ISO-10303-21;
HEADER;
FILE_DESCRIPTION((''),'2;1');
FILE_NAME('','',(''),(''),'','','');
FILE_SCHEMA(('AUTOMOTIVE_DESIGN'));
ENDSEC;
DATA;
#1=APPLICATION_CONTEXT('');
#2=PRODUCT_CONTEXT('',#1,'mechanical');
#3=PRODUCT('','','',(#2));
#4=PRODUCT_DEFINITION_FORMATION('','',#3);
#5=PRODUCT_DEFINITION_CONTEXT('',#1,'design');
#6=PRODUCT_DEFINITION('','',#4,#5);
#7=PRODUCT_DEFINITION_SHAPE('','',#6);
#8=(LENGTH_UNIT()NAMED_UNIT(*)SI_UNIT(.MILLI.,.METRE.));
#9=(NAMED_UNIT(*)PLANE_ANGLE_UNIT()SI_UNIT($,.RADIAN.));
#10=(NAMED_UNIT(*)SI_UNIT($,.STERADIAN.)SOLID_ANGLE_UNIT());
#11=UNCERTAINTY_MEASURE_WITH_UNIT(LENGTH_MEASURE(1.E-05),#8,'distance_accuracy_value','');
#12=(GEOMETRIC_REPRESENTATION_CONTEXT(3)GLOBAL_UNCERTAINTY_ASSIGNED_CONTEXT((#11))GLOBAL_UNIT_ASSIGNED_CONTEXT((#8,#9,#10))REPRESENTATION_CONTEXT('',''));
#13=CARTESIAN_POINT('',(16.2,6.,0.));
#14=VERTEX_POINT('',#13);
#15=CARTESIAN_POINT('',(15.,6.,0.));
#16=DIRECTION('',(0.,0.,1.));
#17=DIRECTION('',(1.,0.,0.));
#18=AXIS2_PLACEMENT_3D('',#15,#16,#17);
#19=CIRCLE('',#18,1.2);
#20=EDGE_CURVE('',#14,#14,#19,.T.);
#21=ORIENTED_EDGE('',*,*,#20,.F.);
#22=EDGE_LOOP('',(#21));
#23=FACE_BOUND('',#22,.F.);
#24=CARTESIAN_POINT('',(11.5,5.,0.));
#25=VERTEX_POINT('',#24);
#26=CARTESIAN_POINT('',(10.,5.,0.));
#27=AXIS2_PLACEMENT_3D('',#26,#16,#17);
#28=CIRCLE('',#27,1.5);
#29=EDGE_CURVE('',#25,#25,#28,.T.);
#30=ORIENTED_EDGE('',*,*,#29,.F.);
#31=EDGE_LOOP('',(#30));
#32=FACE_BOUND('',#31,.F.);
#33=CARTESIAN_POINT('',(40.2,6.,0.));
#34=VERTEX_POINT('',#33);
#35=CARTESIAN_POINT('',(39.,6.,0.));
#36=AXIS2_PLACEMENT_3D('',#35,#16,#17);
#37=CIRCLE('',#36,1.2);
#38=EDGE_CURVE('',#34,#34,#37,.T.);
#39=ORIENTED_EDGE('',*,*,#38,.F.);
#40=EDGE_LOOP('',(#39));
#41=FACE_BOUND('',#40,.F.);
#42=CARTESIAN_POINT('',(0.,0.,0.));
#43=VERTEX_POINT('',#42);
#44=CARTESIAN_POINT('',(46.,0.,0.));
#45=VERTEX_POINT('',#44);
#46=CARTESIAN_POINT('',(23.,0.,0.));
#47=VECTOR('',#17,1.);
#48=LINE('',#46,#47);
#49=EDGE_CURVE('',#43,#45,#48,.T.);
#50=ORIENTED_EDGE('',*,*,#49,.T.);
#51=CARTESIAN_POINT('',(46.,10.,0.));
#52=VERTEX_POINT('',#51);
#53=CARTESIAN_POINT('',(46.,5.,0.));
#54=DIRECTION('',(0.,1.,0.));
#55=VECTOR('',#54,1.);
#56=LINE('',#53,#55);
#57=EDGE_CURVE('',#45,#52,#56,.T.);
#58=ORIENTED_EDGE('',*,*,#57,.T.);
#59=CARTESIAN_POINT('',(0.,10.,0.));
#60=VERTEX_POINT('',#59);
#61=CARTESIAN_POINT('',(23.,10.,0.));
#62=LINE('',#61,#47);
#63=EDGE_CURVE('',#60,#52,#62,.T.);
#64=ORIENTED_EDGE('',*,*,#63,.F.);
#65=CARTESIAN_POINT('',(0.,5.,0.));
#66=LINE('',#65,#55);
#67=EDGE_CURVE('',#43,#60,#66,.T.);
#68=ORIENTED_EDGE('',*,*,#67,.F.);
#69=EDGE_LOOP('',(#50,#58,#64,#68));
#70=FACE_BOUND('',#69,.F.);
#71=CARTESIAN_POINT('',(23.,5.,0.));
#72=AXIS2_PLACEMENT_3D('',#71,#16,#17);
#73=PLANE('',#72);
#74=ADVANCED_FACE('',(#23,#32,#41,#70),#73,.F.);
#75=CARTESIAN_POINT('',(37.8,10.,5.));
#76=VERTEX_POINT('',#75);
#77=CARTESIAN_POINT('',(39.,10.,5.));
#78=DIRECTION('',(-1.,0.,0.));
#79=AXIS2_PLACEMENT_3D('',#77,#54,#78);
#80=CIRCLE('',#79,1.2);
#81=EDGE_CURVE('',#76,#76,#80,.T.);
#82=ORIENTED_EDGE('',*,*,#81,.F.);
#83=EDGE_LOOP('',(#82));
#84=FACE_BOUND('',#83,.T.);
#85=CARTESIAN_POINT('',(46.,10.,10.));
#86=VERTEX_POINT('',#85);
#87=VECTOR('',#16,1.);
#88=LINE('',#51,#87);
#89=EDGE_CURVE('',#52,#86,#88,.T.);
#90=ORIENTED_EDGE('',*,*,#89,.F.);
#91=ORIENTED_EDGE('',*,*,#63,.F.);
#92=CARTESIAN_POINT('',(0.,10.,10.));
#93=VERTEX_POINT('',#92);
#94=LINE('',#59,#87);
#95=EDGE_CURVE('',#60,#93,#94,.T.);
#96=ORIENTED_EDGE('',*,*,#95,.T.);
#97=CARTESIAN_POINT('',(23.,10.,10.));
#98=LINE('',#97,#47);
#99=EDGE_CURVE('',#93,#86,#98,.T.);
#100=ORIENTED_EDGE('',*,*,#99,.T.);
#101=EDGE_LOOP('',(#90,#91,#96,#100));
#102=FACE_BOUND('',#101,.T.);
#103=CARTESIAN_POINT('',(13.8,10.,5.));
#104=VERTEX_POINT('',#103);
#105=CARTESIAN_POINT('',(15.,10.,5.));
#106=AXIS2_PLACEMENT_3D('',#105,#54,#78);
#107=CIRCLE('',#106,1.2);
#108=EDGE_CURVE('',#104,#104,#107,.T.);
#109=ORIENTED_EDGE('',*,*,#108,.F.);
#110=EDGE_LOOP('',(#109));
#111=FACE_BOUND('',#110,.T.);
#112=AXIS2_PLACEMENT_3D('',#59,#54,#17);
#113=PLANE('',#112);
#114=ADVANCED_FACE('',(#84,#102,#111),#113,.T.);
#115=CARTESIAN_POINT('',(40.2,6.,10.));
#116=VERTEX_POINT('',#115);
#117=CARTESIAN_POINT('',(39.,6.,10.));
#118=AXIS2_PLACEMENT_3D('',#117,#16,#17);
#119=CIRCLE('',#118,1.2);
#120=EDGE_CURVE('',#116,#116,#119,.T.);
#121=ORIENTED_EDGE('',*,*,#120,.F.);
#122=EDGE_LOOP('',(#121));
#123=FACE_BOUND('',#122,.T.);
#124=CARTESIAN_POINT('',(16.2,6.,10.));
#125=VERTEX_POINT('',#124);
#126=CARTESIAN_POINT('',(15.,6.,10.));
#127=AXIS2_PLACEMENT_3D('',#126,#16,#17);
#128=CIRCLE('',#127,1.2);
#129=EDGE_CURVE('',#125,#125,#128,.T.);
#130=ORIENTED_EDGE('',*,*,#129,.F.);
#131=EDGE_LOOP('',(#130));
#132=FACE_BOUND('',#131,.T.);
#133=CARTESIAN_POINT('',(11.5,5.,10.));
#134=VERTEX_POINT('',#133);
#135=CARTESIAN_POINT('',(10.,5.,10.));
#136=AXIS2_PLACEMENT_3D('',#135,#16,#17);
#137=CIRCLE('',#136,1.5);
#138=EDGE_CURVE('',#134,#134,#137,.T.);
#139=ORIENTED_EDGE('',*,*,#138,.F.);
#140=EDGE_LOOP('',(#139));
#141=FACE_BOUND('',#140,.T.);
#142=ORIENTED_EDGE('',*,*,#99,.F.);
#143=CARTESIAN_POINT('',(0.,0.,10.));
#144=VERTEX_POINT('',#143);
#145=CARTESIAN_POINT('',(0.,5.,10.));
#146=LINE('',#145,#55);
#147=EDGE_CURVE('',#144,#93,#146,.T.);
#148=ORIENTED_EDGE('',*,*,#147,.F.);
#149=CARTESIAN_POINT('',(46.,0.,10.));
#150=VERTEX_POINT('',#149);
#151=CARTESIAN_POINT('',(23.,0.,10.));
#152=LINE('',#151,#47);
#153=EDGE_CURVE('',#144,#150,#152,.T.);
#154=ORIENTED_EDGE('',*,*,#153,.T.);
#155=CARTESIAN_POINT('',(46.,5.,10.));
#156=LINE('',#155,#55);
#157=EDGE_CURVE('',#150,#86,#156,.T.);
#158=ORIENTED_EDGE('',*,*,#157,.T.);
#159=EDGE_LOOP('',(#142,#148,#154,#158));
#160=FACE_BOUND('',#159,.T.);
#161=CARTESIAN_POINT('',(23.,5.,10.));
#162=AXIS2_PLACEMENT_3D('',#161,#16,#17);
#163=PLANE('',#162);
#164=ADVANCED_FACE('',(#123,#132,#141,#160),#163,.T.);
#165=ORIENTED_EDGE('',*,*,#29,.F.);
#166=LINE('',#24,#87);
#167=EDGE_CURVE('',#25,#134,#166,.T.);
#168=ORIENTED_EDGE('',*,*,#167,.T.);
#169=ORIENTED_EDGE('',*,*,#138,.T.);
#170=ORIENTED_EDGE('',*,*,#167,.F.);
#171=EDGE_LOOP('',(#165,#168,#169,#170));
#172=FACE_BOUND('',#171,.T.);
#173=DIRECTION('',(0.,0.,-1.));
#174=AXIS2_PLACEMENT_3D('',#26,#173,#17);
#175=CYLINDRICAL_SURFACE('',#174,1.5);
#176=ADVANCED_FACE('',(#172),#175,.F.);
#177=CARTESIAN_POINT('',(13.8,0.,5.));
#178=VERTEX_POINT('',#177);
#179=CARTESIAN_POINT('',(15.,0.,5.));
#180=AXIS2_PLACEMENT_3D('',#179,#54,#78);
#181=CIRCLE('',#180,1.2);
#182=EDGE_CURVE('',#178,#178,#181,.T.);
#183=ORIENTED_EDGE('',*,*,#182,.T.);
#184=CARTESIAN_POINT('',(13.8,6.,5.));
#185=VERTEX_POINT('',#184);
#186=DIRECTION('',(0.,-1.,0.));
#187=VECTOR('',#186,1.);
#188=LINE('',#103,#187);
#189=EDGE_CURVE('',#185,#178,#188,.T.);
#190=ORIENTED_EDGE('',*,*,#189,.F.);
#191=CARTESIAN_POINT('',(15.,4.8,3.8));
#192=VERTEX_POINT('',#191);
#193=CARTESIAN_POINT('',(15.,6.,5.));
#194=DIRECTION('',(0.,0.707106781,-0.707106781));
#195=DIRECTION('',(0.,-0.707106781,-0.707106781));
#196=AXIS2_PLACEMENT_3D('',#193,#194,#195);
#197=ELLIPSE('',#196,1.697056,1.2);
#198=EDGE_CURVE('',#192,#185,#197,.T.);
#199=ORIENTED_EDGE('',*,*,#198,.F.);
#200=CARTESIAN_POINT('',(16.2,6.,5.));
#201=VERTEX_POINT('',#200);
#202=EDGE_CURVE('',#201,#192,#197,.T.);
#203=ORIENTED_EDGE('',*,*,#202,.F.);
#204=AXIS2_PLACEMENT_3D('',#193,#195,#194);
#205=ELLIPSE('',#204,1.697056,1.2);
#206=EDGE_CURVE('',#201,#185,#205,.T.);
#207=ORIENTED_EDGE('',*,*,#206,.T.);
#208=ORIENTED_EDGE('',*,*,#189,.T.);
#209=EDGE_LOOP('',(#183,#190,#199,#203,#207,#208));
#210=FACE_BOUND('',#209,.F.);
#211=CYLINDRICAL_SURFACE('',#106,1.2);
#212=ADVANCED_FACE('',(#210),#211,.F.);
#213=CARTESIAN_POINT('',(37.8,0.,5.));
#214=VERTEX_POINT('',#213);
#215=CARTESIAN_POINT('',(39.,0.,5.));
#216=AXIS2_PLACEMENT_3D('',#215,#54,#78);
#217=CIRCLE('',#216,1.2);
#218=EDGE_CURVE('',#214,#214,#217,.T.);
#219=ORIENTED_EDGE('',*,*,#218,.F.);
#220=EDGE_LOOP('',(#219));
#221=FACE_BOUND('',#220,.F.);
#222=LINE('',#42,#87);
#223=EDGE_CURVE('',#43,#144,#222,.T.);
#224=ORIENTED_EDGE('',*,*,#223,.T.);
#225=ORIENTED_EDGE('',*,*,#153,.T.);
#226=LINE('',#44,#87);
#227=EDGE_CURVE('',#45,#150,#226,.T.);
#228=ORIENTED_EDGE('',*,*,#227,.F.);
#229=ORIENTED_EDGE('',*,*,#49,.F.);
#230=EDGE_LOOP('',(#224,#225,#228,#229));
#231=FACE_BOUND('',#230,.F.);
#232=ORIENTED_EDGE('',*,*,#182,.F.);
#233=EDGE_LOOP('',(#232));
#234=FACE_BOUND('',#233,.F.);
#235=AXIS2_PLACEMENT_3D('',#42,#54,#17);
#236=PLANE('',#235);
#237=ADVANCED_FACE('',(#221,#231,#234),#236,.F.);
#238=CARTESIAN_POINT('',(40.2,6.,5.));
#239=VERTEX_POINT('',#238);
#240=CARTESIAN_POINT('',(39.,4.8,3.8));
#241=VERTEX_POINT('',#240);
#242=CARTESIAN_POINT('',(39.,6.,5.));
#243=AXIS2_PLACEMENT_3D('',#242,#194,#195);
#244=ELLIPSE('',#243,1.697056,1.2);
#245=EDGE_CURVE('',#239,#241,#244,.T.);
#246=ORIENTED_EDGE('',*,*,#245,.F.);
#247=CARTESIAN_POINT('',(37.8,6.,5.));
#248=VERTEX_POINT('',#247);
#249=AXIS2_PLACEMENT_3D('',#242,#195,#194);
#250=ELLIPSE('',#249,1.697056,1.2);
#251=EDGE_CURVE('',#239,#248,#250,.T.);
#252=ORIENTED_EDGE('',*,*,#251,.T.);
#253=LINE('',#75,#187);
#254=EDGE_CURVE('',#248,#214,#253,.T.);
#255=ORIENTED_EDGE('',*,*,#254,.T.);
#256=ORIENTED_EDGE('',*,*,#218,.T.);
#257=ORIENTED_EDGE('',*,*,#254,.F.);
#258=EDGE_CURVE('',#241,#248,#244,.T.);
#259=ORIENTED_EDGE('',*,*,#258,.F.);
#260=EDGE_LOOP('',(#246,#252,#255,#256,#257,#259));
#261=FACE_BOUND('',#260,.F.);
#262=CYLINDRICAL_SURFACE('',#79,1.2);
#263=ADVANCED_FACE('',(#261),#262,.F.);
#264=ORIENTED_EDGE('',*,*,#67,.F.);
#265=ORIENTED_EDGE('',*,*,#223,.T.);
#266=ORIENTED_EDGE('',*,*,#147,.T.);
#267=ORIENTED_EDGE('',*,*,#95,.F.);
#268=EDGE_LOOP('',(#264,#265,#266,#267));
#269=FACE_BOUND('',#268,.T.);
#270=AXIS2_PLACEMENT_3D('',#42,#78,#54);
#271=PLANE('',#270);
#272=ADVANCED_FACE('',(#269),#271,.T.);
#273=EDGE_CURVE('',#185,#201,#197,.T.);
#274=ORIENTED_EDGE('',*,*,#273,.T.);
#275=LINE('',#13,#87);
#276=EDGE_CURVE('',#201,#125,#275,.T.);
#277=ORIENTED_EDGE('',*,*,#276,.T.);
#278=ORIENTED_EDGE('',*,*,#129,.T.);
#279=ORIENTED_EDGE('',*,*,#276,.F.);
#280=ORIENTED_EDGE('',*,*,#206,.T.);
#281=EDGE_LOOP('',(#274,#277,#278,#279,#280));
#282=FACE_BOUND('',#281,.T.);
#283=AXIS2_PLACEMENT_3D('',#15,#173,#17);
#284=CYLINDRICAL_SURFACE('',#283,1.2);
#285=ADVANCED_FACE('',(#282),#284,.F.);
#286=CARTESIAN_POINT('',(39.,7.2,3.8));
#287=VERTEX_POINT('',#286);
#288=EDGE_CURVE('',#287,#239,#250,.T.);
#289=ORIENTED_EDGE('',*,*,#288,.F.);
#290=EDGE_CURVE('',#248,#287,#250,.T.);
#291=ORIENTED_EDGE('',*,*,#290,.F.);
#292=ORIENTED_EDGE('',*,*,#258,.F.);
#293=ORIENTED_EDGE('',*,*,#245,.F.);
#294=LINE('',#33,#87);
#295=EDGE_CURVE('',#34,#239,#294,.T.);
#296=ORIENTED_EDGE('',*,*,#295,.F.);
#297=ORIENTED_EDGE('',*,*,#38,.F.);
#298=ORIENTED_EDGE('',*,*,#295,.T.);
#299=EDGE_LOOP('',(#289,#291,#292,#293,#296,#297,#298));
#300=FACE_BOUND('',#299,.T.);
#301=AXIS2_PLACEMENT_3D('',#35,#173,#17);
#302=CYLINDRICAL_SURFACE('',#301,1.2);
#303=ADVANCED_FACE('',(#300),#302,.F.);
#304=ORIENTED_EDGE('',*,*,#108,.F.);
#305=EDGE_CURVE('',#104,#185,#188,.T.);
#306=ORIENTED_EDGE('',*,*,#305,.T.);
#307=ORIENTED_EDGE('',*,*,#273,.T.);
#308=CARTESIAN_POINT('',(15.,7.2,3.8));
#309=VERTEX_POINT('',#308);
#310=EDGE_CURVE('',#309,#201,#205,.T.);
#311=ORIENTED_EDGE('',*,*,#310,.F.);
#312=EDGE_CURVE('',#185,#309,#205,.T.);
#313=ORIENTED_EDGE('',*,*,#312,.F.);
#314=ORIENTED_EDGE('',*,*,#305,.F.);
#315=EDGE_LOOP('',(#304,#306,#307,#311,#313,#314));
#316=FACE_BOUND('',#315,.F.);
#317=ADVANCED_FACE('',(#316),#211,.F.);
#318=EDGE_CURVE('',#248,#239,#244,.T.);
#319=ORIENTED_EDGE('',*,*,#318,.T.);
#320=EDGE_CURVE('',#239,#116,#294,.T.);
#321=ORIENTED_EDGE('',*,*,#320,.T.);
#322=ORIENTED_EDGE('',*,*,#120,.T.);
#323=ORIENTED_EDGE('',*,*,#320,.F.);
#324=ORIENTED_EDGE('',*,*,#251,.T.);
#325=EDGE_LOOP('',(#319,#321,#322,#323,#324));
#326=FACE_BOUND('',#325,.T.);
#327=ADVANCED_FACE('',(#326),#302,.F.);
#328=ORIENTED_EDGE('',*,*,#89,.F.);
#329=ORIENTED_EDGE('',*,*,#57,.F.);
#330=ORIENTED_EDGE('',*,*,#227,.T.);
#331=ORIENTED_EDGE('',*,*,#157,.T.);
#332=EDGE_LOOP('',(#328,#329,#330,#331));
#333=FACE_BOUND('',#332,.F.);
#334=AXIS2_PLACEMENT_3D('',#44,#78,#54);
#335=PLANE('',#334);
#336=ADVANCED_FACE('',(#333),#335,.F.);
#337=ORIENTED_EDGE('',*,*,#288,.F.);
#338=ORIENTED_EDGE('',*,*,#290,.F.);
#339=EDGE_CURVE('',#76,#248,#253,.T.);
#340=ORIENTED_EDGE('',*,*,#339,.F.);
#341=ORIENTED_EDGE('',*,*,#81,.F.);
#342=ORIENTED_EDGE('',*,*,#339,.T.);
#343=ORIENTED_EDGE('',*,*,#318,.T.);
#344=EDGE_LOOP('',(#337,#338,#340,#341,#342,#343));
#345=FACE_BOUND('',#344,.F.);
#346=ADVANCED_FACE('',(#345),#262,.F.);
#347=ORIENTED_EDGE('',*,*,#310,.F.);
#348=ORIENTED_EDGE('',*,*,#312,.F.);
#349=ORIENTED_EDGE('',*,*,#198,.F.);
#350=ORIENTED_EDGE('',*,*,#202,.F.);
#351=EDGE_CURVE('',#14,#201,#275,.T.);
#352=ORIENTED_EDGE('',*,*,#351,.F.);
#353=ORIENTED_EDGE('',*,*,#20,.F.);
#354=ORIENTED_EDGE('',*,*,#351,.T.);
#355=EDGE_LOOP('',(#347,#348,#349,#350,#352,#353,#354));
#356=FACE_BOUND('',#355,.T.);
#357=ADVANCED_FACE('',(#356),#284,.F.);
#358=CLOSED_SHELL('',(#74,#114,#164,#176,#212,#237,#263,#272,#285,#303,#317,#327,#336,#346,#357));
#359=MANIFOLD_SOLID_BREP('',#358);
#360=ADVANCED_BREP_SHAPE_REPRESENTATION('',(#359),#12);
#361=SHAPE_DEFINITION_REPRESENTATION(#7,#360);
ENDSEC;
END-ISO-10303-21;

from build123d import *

# Parameters (mm, degrees)
SKETCH_W     = 46
SKETCH_H     = 10
SKETCH_R     = 1.2
SKETCH_R_2   = 1.5
PAD_DEPTH    = 10
SKETCH001_R  = 1.2
POCKET_DEPTH = 10.001


with BuildPart() as part:
    # Sketch → Pad (new body)
    with BuildSketch(Plane.XY):
        with Locations((23, 5)):
            Rectangle(SKETCH_W, SKETCH_H)
        with Locations((15, 6)):
            Circle(SKETCH_R, mode=Mode.SUBTRACT)
        with Locations((39, 6)):
            Circle(SKETCH_R, mode=Mode.SUBTRACT)
        with Locations((10, 5)):
            Circle(SKETCH_R_2, mode=Mode.SUBTRACT)
    extrude(amount=PAD_DEPTH)

    # Sketch001 → Pocket (cut, through all)
    with BuildSketch(Plane(origin=(0, 10, 0), x_dir=(-1, 0, 0), z_dir=(0, 1, 0))):
        with Locations((-15, 5)):
            Circle(SKETCH001_R)
        with Locations((-39, 5)):
            Circle(SKETCH001_R)
    extrude(amount=-POCKET_DEPTH, mode=Mode.SUBTRACT)


solid = part.part
